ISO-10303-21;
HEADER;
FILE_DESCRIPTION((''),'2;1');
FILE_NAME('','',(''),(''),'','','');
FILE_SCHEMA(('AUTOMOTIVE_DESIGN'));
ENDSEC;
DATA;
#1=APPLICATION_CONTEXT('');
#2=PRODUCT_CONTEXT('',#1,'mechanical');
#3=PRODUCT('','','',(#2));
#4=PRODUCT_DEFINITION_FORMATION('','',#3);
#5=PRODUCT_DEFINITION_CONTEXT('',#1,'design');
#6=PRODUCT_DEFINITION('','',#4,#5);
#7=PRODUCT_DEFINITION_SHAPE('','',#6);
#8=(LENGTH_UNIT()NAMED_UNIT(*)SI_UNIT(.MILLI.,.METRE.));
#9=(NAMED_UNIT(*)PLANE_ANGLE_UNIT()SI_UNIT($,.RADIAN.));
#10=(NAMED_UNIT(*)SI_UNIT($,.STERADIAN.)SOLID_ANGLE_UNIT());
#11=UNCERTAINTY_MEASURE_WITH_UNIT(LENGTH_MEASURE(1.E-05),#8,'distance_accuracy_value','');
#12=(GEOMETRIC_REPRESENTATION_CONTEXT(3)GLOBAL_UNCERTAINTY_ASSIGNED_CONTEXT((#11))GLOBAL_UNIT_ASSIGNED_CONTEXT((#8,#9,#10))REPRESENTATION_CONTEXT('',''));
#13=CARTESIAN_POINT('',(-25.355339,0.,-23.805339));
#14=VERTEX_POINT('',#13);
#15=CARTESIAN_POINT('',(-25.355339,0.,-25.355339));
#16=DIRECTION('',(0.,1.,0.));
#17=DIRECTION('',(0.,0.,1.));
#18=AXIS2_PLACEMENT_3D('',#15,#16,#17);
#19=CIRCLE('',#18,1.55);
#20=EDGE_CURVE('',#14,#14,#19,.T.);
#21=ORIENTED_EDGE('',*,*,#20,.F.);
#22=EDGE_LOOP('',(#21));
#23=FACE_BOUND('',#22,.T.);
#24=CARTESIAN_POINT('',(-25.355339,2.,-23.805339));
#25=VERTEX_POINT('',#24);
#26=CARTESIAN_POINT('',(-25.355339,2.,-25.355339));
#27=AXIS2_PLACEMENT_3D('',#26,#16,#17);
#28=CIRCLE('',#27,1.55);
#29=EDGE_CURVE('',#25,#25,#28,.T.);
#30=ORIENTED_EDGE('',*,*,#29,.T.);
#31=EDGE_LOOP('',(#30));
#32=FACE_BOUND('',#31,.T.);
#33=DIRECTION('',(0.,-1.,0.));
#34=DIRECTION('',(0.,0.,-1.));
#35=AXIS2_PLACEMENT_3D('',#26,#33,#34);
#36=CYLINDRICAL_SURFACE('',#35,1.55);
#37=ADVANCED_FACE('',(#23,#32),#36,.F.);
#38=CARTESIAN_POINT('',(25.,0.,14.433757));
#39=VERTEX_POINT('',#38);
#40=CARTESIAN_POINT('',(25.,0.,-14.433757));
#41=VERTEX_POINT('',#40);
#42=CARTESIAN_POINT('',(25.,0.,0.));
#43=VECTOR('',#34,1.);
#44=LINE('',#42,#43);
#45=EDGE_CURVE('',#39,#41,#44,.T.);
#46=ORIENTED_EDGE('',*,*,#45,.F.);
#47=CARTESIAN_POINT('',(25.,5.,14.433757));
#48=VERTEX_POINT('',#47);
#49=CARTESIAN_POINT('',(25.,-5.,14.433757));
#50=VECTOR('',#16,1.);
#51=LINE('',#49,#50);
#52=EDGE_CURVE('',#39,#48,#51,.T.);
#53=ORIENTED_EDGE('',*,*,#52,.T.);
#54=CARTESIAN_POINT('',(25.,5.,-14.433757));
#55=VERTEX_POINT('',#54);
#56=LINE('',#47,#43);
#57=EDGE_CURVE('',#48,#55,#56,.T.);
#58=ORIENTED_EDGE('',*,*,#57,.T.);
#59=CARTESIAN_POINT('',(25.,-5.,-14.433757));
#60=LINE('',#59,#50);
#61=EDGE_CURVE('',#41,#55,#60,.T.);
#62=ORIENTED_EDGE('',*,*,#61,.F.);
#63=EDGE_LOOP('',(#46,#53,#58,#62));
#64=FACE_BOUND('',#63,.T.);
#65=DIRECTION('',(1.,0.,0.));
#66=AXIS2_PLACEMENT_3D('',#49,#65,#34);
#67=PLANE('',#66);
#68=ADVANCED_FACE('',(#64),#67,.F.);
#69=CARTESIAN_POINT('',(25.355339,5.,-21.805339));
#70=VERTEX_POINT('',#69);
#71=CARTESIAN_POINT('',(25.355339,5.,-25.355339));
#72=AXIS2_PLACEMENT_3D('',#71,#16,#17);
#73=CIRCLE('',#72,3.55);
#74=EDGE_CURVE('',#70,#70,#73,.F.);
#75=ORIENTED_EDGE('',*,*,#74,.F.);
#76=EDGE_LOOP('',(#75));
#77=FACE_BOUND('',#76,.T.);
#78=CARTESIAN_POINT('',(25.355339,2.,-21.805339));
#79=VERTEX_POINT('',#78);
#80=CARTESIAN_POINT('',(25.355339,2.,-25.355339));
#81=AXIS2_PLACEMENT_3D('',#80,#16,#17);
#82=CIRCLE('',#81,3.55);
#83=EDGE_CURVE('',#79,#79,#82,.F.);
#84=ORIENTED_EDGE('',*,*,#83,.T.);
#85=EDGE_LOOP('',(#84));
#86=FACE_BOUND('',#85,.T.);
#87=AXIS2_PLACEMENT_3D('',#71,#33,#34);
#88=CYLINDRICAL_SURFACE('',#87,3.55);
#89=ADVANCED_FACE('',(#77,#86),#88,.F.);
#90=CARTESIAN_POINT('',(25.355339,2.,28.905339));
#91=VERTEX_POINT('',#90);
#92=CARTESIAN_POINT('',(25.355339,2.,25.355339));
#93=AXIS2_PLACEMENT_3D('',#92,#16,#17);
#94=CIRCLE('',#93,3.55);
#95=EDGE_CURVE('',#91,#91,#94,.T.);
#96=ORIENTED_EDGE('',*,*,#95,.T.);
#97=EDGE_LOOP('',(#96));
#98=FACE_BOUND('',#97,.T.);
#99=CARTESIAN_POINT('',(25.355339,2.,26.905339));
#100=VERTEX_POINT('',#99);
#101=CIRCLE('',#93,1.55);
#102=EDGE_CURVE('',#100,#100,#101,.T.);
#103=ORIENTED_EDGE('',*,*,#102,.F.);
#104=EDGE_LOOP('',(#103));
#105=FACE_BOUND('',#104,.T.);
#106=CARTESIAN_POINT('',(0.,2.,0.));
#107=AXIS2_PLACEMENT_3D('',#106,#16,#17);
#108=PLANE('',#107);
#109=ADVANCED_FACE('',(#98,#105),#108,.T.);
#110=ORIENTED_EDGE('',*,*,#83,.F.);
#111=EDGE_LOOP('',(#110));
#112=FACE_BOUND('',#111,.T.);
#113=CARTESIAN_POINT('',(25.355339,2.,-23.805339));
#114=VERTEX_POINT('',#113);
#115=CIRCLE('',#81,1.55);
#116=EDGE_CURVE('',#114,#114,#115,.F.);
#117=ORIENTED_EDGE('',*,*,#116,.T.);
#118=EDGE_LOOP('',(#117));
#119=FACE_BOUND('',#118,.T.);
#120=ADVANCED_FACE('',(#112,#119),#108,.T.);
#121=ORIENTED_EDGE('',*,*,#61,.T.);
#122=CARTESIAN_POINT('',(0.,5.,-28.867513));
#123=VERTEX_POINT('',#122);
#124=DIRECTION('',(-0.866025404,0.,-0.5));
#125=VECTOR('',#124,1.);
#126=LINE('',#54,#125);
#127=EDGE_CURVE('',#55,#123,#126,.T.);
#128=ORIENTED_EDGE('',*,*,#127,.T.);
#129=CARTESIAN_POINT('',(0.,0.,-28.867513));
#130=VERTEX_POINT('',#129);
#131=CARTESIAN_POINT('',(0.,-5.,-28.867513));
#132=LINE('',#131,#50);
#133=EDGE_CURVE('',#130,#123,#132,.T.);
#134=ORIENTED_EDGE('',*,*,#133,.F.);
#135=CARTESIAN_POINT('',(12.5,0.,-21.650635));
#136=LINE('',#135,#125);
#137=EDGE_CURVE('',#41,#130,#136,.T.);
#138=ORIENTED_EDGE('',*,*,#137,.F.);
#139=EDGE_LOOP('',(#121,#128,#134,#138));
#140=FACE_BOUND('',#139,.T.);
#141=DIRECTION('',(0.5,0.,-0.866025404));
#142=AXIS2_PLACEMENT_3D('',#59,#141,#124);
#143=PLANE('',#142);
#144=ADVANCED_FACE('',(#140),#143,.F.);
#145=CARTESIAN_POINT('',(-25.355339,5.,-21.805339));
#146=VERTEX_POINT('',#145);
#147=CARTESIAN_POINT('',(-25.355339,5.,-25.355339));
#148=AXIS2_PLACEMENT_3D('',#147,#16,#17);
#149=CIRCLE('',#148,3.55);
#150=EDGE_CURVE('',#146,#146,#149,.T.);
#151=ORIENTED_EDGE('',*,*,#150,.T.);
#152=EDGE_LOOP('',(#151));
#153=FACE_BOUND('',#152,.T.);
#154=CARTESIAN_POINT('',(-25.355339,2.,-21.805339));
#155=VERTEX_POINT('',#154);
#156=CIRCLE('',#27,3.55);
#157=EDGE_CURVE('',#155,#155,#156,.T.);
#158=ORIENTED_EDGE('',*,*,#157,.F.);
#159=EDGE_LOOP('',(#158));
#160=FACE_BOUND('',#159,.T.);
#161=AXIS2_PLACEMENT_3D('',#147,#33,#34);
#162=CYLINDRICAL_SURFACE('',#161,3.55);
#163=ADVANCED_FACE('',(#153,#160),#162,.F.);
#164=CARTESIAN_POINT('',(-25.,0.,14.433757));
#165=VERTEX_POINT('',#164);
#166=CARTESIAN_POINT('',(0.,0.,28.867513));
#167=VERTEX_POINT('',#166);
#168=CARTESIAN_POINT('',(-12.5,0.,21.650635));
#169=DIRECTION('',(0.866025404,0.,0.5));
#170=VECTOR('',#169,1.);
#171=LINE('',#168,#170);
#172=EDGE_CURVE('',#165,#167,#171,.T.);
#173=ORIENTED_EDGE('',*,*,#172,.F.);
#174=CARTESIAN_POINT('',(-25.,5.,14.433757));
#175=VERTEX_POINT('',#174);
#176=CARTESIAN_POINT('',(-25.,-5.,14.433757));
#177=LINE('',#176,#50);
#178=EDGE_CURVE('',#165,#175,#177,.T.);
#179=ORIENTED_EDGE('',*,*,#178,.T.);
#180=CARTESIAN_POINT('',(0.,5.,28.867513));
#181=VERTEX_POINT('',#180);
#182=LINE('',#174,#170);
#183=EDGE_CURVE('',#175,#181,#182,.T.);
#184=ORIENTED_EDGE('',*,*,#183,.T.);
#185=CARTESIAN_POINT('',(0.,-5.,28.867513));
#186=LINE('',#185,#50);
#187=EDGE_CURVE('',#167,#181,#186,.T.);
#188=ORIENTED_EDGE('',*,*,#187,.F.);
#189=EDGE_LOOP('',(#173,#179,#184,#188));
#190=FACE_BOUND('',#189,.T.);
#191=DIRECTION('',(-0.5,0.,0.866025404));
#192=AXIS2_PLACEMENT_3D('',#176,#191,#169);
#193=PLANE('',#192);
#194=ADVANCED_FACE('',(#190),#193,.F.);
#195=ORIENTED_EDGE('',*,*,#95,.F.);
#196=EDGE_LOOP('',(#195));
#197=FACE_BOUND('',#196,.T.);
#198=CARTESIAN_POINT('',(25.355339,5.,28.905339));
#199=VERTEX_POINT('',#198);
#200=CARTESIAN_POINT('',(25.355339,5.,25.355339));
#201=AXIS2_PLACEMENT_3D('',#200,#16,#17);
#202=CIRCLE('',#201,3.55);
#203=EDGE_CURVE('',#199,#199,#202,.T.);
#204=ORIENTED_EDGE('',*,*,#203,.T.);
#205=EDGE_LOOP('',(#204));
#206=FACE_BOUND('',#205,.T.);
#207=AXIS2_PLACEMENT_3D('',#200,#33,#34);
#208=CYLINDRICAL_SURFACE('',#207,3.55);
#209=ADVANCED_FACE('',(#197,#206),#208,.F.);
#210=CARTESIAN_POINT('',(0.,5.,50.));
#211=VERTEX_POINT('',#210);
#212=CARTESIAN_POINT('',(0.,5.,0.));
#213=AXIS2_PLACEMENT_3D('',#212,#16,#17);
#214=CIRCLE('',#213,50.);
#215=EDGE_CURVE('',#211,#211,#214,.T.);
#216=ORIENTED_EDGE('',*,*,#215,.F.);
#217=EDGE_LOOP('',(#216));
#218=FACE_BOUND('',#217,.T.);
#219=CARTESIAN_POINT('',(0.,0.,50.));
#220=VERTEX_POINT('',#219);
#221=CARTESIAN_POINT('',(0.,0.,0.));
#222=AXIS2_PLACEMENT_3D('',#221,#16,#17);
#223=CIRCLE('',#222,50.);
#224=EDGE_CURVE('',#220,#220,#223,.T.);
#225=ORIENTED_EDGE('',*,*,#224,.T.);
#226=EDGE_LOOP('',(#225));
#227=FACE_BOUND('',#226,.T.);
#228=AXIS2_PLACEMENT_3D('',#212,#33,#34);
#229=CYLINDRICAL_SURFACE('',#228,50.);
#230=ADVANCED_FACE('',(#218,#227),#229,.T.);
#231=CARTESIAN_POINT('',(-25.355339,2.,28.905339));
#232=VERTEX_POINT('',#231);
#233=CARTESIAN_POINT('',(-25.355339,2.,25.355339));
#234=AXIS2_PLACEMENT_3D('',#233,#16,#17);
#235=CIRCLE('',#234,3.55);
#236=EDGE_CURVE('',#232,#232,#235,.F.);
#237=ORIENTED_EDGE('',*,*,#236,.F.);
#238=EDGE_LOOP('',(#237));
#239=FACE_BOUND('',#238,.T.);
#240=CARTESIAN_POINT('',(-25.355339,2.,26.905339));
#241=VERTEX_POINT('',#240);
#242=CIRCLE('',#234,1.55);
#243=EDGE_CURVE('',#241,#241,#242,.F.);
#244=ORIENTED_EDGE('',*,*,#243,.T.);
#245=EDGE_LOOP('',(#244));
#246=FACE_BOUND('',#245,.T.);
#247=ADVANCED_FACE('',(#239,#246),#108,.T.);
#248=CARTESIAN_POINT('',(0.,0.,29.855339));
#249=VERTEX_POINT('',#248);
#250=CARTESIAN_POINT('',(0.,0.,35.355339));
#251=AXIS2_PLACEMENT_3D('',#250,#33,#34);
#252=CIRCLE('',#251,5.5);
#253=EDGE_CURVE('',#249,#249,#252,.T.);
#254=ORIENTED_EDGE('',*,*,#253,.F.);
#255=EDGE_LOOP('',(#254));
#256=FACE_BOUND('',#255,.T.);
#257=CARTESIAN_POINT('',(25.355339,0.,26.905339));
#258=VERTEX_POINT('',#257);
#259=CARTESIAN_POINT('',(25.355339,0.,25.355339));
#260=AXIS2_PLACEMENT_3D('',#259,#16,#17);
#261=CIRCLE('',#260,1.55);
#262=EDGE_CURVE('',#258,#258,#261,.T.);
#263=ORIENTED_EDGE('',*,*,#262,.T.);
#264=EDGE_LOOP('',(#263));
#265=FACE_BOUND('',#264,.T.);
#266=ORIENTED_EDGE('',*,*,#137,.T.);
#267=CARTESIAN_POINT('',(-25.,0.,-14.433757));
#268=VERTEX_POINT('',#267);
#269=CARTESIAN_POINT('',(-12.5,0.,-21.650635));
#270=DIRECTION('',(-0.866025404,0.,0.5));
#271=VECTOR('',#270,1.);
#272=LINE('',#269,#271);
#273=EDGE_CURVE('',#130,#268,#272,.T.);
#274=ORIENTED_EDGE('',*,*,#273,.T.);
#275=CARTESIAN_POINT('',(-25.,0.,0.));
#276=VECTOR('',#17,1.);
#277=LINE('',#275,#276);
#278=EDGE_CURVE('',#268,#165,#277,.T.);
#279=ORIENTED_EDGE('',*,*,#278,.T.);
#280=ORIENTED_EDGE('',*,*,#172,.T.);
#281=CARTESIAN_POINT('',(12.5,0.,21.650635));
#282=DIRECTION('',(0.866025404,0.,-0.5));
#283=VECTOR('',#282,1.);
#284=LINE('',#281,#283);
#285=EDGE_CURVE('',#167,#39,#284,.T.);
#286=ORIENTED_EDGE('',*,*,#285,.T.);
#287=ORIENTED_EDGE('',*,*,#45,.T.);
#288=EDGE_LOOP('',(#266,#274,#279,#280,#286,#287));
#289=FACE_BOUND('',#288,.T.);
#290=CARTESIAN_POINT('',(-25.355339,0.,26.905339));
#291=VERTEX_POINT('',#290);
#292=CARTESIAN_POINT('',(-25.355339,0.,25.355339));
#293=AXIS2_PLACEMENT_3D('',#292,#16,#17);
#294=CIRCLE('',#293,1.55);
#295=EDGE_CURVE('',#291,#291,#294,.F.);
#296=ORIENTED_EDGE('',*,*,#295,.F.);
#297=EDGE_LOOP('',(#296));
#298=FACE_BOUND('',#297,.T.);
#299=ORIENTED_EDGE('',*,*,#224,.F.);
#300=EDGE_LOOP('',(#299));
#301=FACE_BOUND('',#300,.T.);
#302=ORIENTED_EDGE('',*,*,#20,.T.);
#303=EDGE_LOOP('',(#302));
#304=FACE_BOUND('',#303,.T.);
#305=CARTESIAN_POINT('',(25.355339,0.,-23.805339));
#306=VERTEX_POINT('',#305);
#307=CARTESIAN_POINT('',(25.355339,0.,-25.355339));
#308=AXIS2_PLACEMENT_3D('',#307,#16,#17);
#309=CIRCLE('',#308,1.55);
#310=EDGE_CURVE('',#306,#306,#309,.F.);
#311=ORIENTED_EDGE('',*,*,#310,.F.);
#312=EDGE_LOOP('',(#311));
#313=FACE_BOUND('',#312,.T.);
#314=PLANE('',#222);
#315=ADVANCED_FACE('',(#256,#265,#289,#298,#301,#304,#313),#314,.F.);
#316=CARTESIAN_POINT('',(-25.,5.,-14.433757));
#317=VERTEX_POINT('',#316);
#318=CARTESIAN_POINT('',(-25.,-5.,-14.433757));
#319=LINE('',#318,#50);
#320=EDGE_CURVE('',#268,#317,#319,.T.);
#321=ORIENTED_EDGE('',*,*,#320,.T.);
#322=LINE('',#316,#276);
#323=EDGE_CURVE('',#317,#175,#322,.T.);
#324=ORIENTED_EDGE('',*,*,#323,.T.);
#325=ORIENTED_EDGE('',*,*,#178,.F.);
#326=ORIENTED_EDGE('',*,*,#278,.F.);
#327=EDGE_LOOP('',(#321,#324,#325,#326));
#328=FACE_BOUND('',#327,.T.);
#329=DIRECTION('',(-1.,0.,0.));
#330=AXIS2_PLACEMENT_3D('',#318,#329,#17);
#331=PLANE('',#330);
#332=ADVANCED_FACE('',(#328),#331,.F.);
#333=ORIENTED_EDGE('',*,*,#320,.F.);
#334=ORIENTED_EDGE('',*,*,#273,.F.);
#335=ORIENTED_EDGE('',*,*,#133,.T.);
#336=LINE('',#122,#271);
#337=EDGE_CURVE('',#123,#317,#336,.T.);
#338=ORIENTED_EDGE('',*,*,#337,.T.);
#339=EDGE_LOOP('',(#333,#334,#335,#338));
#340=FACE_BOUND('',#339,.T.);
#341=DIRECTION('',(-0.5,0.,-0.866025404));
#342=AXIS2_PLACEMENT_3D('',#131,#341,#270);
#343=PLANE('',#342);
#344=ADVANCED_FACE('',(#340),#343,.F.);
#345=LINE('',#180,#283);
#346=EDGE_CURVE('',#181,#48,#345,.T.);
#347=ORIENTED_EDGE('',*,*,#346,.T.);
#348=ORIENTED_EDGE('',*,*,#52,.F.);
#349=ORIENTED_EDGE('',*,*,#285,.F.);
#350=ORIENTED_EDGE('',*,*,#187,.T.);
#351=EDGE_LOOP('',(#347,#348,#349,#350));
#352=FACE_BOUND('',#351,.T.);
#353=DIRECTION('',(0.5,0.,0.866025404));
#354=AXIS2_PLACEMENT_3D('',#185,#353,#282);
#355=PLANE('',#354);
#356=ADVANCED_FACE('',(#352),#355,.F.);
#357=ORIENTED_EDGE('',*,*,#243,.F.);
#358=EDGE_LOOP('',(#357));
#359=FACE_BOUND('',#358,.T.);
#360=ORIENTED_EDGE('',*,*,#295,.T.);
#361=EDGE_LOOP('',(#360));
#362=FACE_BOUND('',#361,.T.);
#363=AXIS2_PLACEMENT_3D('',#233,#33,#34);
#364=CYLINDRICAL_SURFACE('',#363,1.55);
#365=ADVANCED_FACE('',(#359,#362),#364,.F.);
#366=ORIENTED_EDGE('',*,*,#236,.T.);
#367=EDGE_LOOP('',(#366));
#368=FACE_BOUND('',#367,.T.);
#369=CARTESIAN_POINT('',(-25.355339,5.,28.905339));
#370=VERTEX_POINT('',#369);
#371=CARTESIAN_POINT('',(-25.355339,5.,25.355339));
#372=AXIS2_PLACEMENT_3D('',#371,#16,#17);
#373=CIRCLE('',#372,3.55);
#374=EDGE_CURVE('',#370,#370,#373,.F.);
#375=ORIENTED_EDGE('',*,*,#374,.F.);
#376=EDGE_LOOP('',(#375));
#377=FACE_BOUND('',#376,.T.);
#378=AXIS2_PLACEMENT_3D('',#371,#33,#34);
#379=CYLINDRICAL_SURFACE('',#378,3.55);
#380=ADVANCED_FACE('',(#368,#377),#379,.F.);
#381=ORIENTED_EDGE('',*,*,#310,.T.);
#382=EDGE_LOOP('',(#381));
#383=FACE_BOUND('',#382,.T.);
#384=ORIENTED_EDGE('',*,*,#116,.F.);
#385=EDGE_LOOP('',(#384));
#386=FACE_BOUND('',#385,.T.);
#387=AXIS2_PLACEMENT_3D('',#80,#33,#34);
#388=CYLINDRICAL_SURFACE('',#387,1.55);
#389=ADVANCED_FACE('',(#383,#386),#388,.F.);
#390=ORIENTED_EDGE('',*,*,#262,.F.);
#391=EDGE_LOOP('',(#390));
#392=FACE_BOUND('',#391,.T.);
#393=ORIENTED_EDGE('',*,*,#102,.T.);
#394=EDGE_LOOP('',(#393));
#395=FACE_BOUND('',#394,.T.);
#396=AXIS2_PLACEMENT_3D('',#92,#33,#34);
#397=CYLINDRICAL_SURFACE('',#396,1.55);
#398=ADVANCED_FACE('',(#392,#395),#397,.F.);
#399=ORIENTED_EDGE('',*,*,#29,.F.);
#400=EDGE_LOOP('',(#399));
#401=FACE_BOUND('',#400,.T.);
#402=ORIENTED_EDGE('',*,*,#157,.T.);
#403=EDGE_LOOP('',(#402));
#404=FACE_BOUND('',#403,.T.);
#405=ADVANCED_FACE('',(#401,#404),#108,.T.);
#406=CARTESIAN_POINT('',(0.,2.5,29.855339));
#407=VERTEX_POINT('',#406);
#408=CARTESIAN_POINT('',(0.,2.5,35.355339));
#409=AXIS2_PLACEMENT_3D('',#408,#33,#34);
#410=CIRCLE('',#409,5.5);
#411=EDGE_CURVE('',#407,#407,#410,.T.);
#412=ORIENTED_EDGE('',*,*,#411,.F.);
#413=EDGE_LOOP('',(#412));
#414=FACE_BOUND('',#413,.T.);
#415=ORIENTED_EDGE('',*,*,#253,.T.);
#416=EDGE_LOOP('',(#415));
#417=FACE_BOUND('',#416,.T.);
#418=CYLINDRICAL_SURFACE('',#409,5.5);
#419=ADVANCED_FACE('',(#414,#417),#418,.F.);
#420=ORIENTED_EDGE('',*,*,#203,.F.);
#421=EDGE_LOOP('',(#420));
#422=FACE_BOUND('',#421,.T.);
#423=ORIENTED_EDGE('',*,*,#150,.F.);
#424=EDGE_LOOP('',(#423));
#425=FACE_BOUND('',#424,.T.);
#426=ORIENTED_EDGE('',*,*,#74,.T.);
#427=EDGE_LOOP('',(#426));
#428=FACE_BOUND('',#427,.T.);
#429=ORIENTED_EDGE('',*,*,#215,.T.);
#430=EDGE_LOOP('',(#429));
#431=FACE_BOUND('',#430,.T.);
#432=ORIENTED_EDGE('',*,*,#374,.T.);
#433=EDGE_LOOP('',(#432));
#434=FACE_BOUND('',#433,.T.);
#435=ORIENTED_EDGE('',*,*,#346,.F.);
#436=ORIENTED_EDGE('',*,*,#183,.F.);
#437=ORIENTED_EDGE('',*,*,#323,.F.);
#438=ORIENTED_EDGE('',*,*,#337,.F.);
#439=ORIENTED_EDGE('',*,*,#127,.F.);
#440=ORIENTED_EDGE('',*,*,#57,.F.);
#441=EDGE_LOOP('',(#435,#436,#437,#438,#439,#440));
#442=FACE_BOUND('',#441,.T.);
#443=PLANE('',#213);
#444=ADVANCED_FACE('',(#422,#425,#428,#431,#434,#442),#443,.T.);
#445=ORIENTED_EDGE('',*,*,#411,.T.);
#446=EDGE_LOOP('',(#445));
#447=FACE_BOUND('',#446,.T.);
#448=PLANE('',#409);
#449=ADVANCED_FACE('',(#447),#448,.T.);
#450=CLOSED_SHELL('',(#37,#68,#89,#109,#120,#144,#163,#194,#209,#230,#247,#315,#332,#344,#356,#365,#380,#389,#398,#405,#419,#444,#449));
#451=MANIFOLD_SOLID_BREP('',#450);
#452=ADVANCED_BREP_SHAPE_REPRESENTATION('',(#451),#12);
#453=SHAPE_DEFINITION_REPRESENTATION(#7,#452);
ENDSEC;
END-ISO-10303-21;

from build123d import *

# Parameters (mm, degrees)
SKETCH1_R           = 50
SKETCH1_R_2         = 3.55
BOSS_EXTRUDE1_DEPTH = 5
SKETCH1_3_R         = 3.55
SKETCH1_3_R_2       = 1.55
BOSS_EXTRUDE2_DEPTH = 2
SKETCH2_R           = 5.5
CUT_EXTRUDE1_DEPTH  = 2.5
CUT_EXTRUDE2_DEPTH  = 10


with BuildPart() as part:
    # Sketch1 → Boss-Extrude1 (new body)
    with BuildSketch(Plane(origin=(0, 0, 0), x_dir=(1, 0, 0), z_dir=(0, 1, 0))):
        Circle(SKETCH1_R)
        with Locations((-25.355339059, -25.355339059)):
            Circle(SKETCH1_R_2, mode=Mode.SUBTRACT)
        with Locations((25.355339059, -25.355339059)):
            Circle(SKETCH1_R_2, mode=Mode.SUBTRACT)
        with Locations((-25.355339059, 25.355339059)):
            Circle(SKETCH1_R_2, mode=Mode.SUBTRACT)
        with Locations((25.355339059, 25.355339059)):
            Circle(SKETCH1_R_2, mode=Mode.SUBTRACT)
    extrude(amount=BOSS_EXTRUDE1_DEPTH)

    # Sketch1<3> → Boss-Extrude2 (add)
    # profile 1 of 4: a face of its own
    with BuildSketch(Plane(origin=(0, 0, 0), x_dir=(1, 0, 0), z_dir=(0, 1, 0))):
        with Locations((-25.355339059, 25.355339059)):
            Circle(SKETCH1_3_R)
        with Locations((-25.355339059, 25.355339059)):
            Circle(SKETCH1_3_R_2, mode=Mode.SUBTRACT)
    # profile 2 of 4: a face of its own
    with BuildSketch(Plane(origin=(0, 0, 0), x_dir=(1, 0, 0), z_dir=(0, 1, 0))):
        with Locations((25.355339059, 25.355339059)):
            Circle(SKETCH1_3_R)
        with Locations((25.355339059, 25.355339059)):
            Circle(SKETCH1_3_R_2, mode=Mode.SUBTRACT)
    # profile 3 of 4: a face of its own
    with BuildSketch(Plane(origin=(0, 0, 0), x_dir=(1, 0, 0), z_dir=(0, 1, 0))):
        with Locations((-25.355339059, -25.355339059)):
            Circle(SKETCH1_3_R)
        with Locations((-25.355339059, -25.355339059)):
            Circle(SKETCH1_3_R_2, mode=Mode.SUBTRACT)
    # profile 4 of 4: a face of its own
    with BuildSketch(Plane(origin=(0, 0, 0), x_dir=(1, 0, 0), z_dir=(0, 1, 0))):
        with Locations((25.355339059, -25.355339059)):
            Circle(SKETCH1_3_R)
        with Locations((25.355339059, -25.355339059)):
            Circle(SKETCH1_3_R_2, mode=Mode.SUBTRACT)
    extrude(amount=BOSS_EXTRUDE2_DEPTH)

    # Sketch2 → Cut-Extrude1 (cut)
    with BuildSketch(Plane.XZ):
        with Locations((0, 35.355339059)):
            Circle(SKETCH2_R)
    extrude(amount=-CUT_EXTRUDE1_DEPTH, mode=Mode.SUBTRACT)

    # Sketch3 → Cut-Extrude2 (cut)
    with BuildSketch(Plane(origin=(0, 5, 0), x_dir=(1, 0, 0), z_dir=(0, 1, 0))):
        Polygon((0, 28.867513459), (-25, 14.43375673), (-25, -14.43375673), (0, -28.867513459), (25, -14.43375673), (25, 14.43375673), align=None)
    extrude(amount=-CUT_EXTRUDE2_DEPTH, mode=Mode.SUBTRACT)


solid = part.part
